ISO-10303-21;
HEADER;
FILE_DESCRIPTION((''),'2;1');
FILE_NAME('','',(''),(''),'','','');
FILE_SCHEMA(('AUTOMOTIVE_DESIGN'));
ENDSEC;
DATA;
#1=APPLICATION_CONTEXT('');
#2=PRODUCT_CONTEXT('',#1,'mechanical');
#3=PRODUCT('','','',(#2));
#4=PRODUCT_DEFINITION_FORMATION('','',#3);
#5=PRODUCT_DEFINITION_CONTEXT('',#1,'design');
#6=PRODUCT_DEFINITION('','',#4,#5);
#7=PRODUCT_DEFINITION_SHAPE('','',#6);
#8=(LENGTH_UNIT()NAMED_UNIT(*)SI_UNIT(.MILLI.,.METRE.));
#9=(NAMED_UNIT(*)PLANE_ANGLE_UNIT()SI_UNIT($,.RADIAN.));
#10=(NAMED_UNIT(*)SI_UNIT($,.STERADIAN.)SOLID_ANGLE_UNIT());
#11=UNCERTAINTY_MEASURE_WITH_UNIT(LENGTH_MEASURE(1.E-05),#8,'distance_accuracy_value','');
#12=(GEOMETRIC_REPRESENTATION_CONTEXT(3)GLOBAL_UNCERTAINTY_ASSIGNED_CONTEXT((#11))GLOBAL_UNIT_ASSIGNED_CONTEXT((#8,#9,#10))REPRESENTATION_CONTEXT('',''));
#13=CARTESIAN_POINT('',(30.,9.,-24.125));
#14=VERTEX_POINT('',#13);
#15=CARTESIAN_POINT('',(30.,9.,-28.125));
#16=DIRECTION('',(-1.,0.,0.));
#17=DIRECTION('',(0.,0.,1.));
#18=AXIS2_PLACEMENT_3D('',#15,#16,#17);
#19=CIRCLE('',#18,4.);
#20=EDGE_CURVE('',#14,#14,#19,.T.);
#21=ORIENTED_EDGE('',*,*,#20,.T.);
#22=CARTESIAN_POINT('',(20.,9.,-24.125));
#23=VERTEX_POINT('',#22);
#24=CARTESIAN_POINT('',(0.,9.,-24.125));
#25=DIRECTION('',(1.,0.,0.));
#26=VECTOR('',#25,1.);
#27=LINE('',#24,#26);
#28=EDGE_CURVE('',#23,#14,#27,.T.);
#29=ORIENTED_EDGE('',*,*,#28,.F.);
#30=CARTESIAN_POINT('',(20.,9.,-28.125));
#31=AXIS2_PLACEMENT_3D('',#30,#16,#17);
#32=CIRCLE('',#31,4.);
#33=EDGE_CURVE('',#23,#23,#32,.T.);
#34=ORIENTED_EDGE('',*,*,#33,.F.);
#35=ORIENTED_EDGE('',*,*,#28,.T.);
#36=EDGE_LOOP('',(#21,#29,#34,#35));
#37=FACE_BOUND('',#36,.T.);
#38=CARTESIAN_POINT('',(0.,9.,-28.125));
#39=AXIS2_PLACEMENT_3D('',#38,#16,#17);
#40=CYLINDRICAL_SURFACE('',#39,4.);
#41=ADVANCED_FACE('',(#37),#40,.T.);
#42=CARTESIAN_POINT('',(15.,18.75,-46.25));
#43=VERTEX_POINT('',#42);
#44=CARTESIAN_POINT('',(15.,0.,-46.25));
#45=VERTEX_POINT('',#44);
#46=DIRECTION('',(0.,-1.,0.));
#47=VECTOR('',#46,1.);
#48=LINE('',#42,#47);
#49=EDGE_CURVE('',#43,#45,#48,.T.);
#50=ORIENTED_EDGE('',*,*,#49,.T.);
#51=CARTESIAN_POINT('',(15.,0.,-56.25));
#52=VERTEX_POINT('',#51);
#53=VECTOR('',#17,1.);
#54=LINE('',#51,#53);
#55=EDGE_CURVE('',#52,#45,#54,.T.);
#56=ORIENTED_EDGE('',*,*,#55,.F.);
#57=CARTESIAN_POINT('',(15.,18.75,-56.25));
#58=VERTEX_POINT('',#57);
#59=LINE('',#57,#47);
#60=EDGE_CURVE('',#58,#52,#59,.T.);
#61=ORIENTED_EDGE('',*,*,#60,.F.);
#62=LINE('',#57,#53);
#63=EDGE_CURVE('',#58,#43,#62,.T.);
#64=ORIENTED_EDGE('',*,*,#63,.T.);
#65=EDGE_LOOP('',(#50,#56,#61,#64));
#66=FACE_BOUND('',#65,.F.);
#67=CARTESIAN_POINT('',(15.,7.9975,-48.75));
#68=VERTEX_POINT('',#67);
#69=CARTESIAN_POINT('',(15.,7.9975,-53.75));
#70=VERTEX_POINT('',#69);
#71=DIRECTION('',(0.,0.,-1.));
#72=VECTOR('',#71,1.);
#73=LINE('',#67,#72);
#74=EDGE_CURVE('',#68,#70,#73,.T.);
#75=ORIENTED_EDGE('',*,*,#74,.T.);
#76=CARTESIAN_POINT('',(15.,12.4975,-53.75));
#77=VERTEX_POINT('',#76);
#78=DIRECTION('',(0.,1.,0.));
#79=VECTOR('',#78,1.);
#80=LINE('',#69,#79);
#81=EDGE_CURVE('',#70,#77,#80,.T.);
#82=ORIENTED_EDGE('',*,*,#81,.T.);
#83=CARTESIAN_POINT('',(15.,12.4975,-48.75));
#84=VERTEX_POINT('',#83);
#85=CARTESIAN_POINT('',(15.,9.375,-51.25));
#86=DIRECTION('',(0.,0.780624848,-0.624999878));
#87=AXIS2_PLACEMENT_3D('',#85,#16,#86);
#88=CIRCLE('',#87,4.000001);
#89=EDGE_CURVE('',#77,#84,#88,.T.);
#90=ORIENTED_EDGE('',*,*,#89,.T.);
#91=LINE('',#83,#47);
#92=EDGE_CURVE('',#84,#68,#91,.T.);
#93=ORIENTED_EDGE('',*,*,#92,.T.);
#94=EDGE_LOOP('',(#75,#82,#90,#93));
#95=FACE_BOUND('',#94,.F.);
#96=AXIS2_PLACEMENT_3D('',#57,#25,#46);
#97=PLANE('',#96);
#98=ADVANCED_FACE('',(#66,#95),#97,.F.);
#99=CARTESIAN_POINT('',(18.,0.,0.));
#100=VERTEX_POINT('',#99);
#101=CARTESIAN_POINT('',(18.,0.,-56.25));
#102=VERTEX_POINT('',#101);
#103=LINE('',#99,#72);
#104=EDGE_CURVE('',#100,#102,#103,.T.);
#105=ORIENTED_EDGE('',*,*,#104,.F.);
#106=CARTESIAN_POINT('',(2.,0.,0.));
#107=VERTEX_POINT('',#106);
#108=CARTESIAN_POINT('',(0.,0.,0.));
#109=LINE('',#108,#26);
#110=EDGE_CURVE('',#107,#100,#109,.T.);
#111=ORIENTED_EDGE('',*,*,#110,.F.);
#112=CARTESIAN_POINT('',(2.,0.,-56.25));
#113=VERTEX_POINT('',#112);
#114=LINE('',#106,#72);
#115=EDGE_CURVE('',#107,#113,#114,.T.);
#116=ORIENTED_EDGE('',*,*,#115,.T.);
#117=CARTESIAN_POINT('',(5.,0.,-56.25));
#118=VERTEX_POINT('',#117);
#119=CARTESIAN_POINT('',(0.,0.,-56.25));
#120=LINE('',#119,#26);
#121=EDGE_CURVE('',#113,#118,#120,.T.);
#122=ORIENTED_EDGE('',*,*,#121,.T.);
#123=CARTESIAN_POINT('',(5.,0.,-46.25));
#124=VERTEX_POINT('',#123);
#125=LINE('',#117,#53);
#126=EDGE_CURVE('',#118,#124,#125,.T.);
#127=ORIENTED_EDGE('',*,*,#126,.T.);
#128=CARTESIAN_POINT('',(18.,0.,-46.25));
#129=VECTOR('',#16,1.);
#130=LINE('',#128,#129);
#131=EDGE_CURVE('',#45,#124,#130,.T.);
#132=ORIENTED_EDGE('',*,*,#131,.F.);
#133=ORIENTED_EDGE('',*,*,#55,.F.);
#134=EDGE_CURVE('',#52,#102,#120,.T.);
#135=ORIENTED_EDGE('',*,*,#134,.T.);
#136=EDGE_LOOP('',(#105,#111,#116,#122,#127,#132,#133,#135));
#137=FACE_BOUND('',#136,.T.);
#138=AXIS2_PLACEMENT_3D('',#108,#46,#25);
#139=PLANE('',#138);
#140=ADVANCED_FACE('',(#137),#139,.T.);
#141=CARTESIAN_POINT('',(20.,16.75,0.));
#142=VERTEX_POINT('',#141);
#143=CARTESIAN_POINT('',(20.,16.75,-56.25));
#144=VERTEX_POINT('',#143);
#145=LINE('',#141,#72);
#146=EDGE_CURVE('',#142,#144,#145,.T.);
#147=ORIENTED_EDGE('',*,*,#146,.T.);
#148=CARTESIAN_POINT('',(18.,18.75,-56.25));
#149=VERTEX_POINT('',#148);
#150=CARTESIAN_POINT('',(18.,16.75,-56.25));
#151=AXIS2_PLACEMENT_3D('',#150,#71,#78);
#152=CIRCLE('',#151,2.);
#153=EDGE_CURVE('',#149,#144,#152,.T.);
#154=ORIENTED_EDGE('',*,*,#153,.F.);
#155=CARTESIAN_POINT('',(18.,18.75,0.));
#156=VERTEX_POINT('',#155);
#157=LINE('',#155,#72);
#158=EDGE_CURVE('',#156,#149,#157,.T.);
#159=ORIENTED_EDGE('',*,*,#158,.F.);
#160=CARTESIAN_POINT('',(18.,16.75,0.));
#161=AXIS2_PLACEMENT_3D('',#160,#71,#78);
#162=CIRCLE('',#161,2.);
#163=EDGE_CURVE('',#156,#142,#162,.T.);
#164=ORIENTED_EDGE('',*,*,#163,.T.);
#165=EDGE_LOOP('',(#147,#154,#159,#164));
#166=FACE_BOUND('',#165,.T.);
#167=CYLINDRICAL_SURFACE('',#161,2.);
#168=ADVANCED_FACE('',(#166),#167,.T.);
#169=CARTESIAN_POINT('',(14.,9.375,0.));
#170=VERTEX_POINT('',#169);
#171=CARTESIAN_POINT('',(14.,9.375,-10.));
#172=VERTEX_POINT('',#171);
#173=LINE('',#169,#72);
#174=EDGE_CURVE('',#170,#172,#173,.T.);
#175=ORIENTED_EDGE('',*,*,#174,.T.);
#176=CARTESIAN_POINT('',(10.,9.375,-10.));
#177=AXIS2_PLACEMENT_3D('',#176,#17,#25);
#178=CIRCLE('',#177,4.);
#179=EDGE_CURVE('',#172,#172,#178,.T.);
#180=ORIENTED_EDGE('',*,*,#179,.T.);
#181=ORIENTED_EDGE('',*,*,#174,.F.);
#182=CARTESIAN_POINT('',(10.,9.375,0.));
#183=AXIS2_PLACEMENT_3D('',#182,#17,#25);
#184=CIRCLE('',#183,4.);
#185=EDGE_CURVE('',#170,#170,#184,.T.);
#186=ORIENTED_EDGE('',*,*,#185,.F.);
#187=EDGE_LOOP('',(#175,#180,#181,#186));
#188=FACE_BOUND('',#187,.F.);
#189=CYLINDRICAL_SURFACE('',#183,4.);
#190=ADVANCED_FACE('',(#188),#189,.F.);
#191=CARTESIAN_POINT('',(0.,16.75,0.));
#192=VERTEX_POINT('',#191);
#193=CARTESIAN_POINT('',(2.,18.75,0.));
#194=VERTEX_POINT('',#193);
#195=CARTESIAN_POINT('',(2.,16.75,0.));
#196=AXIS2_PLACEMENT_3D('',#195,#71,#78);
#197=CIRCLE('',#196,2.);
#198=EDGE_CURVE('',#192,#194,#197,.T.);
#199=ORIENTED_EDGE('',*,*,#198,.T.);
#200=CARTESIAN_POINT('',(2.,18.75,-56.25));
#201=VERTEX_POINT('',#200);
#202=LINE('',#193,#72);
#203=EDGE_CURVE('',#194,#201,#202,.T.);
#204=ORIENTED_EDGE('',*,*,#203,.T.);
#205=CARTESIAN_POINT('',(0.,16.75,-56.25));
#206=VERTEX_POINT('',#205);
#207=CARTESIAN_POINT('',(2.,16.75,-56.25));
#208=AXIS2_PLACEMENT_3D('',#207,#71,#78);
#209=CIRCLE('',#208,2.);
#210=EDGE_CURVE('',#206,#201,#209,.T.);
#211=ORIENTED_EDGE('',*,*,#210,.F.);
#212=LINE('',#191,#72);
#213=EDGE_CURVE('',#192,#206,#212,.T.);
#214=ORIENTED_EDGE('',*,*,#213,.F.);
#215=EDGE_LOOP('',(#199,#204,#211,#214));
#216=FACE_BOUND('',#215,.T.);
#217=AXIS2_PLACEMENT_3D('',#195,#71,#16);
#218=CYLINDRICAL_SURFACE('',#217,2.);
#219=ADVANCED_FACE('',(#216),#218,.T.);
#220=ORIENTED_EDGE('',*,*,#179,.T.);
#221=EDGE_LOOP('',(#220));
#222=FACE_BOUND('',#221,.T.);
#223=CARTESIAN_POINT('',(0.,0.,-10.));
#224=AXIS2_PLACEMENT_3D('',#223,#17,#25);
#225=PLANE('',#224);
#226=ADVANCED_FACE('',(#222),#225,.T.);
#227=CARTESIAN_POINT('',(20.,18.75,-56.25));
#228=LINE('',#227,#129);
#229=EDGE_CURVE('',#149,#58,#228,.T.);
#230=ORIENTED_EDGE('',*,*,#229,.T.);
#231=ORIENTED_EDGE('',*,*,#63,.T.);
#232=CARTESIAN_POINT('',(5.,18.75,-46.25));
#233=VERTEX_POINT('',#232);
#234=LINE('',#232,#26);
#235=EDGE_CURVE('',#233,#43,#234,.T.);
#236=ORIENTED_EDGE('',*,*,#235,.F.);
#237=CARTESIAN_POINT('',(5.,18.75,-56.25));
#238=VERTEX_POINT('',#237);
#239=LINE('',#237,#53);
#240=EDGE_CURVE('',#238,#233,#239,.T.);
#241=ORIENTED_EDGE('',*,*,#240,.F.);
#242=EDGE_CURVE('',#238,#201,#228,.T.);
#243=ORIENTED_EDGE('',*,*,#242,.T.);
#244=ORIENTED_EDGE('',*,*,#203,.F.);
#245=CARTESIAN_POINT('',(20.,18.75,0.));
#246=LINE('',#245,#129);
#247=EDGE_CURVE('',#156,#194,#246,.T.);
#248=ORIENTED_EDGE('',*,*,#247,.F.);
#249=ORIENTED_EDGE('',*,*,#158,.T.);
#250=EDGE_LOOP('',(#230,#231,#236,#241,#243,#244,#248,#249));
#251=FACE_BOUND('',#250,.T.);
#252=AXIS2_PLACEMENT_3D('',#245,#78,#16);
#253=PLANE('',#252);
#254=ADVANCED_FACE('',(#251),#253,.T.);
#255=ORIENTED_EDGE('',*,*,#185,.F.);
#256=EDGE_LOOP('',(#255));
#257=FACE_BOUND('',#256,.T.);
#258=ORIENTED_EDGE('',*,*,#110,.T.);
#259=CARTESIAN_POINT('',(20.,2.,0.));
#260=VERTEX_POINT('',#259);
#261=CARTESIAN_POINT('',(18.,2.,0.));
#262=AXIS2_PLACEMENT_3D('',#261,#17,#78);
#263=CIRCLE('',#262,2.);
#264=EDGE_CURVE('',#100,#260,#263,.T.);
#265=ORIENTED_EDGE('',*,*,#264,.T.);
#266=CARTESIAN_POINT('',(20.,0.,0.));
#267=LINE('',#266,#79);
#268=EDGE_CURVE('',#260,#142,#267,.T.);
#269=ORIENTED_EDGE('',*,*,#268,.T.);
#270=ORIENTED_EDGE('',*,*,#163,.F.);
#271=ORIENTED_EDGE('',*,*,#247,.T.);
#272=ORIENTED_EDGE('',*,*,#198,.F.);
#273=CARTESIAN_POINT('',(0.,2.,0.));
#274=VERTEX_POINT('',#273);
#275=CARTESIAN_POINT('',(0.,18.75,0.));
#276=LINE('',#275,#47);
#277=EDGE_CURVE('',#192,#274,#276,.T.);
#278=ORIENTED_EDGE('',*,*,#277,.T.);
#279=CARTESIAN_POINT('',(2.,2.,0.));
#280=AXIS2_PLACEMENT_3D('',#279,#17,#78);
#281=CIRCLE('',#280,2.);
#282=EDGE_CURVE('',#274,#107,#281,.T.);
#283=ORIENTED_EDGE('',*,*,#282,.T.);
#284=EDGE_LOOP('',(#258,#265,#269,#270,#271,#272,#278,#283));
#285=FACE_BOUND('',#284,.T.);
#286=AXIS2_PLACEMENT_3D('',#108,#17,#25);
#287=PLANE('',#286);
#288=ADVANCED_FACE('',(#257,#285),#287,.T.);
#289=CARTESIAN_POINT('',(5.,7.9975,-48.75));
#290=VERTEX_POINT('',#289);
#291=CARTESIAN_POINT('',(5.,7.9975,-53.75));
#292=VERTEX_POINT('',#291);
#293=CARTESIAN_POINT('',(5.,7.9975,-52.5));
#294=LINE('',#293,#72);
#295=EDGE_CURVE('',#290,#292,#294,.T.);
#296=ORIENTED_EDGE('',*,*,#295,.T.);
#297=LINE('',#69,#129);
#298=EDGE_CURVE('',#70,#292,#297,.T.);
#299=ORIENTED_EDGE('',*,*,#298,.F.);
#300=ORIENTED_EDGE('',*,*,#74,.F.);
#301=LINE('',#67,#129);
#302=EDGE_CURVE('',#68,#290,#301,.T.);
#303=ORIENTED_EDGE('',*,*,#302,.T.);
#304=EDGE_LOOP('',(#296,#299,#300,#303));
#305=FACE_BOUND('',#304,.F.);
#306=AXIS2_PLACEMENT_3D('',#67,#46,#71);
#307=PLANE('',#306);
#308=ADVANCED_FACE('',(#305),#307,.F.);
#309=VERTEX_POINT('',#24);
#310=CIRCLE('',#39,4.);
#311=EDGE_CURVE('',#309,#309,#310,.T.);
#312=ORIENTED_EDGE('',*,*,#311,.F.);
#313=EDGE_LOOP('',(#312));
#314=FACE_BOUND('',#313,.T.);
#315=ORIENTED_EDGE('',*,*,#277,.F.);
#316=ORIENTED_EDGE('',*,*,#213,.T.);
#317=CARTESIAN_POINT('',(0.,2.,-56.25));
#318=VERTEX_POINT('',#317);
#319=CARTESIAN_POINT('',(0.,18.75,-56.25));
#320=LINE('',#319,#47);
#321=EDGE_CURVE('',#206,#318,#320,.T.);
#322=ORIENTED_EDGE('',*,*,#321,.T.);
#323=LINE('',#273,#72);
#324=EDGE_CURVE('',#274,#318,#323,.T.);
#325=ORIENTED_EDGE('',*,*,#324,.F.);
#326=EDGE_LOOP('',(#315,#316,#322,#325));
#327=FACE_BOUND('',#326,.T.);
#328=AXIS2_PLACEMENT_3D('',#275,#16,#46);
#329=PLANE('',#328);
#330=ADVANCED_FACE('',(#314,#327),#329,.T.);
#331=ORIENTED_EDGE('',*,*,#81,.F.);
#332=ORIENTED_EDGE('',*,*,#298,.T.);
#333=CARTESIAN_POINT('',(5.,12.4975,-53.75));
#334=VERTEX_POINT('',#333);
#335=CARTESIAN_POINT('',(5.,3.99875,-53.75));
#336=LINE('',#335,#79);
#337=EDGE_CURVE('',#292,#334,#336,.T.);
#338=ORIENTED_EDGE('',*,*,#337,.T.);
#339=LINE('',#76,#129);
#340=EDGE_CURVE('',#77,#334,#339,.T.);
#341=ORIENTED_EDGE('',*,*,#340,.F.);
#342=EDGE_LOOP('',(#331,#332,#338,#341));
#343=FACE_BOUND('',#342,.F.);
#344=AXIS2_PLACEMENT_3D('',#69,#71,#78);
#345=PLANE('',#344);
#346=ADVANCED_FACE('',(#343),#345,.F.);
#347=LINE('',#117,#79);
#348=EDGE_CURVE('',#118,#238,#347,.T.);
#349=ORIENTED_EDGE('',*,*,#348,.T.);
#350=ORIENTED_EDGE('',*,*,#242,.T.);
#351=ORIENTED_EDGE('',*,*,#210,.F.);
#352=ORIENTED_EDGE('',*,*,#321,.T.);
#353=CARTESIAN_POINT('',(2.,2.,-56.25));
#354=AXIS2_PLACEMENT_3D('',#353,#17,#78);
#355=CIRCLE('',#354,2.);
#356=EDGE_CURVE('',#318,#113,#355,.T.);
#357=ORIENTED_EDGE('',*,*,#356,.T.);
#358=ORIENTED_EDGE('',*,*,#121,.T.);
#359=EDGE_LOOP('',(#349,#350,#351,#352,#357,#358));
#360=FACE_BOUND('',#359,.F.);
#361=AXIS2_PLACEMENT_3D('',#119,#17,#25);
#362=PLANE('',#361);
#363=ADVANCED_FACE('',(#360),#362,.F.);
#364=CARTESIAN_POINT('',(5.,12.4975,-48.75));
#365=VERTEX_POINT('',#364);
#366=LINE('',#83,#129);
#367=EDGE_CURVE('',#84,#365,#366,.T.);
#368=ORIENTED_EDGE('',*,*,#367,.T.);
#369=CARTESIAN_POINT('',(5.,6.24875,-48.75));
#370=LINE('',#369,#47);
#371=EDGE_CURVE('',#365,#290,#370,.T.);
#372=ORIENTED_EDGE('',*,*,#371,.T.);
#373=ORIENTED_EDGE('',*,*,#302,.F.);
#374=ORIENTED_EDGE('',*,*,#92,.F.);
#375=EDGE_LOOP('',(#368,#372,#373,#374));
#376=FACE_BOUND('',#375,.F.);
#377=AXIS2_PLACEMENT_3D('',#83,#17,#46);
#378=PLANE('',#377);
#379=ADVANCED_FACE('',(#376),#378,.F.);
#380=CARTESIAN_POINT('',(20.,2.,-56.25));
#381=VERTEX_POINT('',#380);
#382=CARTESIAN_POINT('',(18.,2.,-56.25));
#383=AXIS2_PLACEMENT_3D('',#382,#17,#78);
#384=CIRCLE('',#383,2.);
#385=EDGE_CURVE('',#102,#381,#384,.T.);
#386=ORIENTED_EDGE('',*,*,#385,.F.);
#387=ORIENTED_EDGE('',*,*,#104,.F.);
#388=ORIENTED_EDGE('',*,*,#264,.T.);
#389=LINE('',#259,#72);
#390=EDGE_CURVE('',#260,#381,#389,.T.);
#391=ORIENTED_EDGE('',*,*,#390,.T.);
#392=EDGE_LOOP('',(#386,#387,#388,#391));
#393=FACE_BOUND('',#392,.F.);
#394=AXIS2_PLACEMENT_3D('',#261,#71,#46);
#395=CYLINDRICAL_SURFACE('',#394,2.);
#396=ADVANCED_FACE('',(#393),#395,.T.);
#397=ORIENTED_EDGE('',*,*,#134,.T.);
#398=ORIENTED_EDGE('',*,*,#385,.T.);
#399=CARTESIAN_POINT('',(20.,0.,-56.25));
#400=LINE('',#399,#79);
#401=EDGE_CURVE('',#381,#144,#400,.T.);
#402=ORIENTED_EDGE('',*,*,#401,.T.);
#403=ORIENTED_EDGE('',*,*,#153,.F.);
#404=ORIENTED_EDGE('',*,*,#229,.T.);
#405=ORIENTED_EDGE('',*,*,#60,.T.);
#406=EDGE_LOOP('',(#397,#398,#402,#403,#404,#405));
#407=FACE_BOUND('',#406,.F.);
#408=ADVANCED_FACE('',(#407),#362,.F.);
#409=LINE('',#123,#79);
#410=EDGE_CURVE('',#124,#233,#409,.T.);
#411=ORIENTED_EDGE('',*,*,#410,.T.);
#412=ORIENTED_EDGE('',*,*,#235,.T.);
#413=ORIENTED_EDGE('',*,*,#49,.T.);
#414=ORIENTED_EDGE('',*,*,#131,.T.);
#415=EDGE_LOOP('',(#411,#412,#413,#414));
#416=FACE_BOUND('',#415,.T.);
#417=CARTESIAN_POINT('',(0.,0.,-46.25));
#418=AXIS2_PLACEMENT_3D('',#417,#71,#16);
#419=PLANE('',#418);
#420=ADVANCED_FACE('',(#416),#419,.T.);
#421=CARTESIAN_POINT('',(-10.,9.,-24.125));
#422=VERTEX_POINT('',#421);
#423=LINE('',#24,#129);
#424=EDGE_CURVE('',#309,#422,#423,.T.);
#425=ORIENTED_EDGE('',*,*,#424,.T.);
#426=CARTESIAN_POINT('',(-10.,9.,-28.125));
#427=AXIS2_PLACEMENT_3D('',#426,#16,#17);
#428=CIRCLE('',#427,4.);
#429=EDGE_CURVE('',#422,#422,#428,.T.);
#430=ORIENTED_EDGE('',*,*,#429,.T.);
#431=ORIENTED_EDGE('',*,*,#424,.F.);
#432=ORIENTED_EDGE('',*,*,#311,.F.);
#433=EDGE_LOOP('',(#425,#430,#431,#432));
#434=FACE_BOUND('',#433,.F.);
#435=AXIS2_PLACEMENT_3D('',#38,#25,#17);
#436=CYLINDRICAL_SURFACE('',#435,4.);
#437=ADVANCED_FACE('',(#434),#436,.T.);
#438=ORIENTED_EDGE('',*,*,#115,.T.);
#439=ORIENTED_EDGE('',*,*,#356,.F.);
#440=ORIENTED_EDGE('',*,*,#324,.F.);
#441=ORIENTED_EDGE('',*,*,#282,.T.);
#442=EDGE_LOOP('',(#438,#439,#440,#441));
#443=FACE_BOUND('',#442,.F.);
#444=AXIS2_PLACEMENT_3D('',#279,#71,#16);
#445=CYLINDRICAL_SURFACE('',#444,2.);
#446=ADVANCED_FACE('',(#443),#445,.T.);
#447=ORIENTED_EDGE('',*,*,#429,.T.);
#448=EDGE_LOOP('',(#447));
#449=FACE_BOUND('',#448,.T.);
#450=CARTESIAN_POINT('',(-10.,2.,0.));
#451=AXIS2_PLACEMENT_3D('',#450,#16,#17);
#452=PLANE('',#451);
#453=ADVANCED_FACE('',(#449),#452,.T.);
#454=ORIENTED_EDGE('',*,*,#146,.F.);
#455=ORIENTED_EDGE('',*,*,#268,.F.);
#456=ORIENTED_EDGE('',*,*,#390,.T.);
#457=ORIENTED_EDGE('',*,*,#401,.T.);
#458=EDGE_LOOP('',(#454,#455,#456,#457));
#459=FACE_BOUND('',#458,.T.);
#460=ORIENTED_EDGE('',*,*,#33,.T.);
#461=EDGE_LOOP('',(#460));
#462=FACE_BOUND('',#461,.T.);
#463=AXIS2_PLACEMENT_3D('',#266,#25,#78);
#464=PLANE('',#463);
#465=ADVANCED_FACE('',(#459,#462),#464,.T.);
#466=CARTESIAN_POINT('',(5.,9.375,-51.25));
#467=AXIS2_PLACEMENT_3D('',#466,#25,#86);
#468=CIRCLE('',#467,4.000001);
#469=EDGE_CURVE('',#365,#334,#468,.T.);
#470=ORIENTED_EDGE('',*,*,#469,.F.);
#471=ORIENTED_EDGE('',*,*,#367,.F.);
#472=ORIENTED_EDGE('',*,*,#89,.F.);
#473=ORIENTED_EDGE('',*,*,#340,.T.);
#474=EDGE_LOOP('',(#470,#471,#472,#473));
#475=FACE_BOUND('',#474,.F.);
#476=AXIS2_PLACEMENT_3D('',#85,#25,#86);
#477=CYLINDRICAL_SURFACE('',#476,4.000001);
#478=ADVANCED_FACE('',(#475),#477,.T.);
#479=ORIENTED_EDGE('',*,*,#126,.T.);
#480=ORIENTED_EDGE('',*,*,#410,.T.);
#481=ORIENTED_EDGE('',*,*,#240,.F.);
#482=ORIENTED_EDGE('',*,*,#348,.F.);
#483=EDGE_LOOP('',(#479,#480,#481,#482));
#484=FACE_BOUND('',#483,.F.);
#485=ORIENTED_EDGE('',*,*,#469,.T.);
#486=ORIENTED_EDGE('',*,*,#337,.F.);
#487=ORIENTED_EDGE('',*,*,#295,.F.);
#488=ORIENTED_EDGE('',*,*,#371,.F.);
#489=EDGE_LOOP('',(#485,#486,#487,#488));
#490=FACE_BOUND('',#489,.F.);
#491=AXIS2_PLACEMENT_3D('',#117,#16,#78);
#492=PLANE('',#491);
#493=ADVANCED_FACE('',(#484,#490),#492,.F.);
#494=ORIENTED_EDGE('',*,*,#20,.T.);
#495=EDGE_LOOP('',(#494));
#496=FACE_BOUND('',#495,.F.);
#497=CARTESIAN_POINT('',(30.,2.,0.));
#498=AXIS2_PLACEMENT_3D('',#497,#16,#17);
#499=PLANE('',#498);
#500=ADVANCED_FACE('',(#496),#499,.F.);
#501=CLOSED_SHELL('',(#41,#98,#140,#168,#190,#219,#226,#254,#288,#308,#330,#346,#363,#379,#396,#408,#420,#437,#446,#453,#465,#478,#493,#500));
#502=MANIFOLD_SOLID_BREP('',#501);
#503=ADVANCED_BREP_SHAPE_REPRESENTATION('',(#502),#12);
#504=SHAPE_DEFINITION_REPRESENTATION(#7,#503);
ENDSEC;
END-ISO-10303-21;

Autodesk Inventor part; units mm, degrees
ref_plane "YZ Plane" through (0, 0, 0) normal (1, 0, 0) x (0, 1, 0)
ref_plane "XZ Plane" through (0, 0, 0) normal (0, 1, 0) x (-1, 0, 0)
sketch "Boceto1" plane through (0, 0, 0) normal (0, 0, 1) x (1, 0, 0)
  line L0 (0, 0) -> (20, 0)
  line L1 (20, 0) -> (20, 18.75)
  line L2 (20, 18.75) -> (0, 18.75)
  line L3 (0, 18.75) -> (0, 0)
  point P0 (9.375, 9.375)
  dimension "d0" = 20
  dimension "d10" = 18.75
extrude "Extrusión1" add sketch "Boceto1" against normal blind 56.25
sketch "Boceto2" plane through (0, 0, 0) normal (0, 0, 1) x (1, 0, 0)
  circle A0 centre (10, 9.375) radius 4
  line L0 (0, 0) -> (20, 0) projected
  line L1 (0, 18.75) -> (0, 0) projected
  point P0 (10, 0)
  point P1 (0, 9.375)
  dimension "d3" = 8
extrude "Extrusión2" cut sketch "Boceto2" against normal blind 10
fillet "Empalme1" radius 2 4 edges at (20, 0, -28.125) (0, 0, -28.125) (0, 18.75, -28.125) (20, 18.75, -28.125)
sketch "Boceto3" plane through (0, 0, -56.25) normal (0, 0, -1) x (-1, 0, 0)
  line L0 (-20, 16.75) -> (-20, 2) projected
  line L1 (-18, 0) -> (-2, 0) projected
  line L2 (-5, 18.75) -> (-15, 18.75)
  line L3 (-15, 18.75) -> (-15, 0)
  line L4 (-15, 0) -> (-5, 0)
  line L5 (-5, 0) -> (-5, 18.75)
  line L6 (-5, 18.75) -> (-15, 0) construction
  line L7 (-15, 18.75) -> (-5, 0) construction
  line L8 (-2, 18.75) -> (-18, 18.75) projected
  point P0 (0, 0)
  point P1 (-10, 10)
  point P2 (-10, 9.375)
  dimension "d11" = 10
extrude "Extrusión3" cut sketch "Boceto3" against normal blind 10
ref_plane "Plano de trabajo4" through (10, 0, 0) normal (1, 0, 0) x (0, 1, 0)
sketch "Boceto5" plane through (0, 2, 0) normal (-1, 0, 0) x (0, 0, 1)
  circle A0 centre (-28.125, 7) radius 4
  line L0 (0, 14.75) -> (0, 0) projected
  line L1 (0, 0) -> (-56.25, 0) projected
  point P0 (0, -2)
  dimension "d20" = 8
  dimension "d21" = 28.125
  dimension "d22" = 7
extrude "Extrusión5" add sketch "Boceto5" along normal blind 10 and the other way blind 30
sketch "Boceto6" plane through (15, 0, -56.25) normal (-1, 0, 0) x (0, 0, 1)
  line L0 (0, 0) -> (56.25, 0) projected
  line L1 (56.25, 13.375) -> (56.25, 5.375) projected
  arc A0 (2.5, 12.4975) -> (7.5, 12.4975) centre (5, 9.375) ccw
  line L2 (2.5, 12.4975) -> (7.5, 12.4975)
  line L3 (7.5, 12.4975) -> (7.5, 7.9975)
  line L4 (7.5, 7.9975) -> (2.5, 7.9975)
  line L5 (2.5, 7.9975) -> (2.5, 12.4975)
  dimension "d38" = 8
  dimension "d39" = 9.375
  dimension "d40" = 51.25
  dimension "d41" = 5
  dimension "d42" = 4.5
extrude "Extrusión6" add sketch "Boceto6" along normal up to next contours L5 L4 L3 A0
properties part number "Ante pierna"
